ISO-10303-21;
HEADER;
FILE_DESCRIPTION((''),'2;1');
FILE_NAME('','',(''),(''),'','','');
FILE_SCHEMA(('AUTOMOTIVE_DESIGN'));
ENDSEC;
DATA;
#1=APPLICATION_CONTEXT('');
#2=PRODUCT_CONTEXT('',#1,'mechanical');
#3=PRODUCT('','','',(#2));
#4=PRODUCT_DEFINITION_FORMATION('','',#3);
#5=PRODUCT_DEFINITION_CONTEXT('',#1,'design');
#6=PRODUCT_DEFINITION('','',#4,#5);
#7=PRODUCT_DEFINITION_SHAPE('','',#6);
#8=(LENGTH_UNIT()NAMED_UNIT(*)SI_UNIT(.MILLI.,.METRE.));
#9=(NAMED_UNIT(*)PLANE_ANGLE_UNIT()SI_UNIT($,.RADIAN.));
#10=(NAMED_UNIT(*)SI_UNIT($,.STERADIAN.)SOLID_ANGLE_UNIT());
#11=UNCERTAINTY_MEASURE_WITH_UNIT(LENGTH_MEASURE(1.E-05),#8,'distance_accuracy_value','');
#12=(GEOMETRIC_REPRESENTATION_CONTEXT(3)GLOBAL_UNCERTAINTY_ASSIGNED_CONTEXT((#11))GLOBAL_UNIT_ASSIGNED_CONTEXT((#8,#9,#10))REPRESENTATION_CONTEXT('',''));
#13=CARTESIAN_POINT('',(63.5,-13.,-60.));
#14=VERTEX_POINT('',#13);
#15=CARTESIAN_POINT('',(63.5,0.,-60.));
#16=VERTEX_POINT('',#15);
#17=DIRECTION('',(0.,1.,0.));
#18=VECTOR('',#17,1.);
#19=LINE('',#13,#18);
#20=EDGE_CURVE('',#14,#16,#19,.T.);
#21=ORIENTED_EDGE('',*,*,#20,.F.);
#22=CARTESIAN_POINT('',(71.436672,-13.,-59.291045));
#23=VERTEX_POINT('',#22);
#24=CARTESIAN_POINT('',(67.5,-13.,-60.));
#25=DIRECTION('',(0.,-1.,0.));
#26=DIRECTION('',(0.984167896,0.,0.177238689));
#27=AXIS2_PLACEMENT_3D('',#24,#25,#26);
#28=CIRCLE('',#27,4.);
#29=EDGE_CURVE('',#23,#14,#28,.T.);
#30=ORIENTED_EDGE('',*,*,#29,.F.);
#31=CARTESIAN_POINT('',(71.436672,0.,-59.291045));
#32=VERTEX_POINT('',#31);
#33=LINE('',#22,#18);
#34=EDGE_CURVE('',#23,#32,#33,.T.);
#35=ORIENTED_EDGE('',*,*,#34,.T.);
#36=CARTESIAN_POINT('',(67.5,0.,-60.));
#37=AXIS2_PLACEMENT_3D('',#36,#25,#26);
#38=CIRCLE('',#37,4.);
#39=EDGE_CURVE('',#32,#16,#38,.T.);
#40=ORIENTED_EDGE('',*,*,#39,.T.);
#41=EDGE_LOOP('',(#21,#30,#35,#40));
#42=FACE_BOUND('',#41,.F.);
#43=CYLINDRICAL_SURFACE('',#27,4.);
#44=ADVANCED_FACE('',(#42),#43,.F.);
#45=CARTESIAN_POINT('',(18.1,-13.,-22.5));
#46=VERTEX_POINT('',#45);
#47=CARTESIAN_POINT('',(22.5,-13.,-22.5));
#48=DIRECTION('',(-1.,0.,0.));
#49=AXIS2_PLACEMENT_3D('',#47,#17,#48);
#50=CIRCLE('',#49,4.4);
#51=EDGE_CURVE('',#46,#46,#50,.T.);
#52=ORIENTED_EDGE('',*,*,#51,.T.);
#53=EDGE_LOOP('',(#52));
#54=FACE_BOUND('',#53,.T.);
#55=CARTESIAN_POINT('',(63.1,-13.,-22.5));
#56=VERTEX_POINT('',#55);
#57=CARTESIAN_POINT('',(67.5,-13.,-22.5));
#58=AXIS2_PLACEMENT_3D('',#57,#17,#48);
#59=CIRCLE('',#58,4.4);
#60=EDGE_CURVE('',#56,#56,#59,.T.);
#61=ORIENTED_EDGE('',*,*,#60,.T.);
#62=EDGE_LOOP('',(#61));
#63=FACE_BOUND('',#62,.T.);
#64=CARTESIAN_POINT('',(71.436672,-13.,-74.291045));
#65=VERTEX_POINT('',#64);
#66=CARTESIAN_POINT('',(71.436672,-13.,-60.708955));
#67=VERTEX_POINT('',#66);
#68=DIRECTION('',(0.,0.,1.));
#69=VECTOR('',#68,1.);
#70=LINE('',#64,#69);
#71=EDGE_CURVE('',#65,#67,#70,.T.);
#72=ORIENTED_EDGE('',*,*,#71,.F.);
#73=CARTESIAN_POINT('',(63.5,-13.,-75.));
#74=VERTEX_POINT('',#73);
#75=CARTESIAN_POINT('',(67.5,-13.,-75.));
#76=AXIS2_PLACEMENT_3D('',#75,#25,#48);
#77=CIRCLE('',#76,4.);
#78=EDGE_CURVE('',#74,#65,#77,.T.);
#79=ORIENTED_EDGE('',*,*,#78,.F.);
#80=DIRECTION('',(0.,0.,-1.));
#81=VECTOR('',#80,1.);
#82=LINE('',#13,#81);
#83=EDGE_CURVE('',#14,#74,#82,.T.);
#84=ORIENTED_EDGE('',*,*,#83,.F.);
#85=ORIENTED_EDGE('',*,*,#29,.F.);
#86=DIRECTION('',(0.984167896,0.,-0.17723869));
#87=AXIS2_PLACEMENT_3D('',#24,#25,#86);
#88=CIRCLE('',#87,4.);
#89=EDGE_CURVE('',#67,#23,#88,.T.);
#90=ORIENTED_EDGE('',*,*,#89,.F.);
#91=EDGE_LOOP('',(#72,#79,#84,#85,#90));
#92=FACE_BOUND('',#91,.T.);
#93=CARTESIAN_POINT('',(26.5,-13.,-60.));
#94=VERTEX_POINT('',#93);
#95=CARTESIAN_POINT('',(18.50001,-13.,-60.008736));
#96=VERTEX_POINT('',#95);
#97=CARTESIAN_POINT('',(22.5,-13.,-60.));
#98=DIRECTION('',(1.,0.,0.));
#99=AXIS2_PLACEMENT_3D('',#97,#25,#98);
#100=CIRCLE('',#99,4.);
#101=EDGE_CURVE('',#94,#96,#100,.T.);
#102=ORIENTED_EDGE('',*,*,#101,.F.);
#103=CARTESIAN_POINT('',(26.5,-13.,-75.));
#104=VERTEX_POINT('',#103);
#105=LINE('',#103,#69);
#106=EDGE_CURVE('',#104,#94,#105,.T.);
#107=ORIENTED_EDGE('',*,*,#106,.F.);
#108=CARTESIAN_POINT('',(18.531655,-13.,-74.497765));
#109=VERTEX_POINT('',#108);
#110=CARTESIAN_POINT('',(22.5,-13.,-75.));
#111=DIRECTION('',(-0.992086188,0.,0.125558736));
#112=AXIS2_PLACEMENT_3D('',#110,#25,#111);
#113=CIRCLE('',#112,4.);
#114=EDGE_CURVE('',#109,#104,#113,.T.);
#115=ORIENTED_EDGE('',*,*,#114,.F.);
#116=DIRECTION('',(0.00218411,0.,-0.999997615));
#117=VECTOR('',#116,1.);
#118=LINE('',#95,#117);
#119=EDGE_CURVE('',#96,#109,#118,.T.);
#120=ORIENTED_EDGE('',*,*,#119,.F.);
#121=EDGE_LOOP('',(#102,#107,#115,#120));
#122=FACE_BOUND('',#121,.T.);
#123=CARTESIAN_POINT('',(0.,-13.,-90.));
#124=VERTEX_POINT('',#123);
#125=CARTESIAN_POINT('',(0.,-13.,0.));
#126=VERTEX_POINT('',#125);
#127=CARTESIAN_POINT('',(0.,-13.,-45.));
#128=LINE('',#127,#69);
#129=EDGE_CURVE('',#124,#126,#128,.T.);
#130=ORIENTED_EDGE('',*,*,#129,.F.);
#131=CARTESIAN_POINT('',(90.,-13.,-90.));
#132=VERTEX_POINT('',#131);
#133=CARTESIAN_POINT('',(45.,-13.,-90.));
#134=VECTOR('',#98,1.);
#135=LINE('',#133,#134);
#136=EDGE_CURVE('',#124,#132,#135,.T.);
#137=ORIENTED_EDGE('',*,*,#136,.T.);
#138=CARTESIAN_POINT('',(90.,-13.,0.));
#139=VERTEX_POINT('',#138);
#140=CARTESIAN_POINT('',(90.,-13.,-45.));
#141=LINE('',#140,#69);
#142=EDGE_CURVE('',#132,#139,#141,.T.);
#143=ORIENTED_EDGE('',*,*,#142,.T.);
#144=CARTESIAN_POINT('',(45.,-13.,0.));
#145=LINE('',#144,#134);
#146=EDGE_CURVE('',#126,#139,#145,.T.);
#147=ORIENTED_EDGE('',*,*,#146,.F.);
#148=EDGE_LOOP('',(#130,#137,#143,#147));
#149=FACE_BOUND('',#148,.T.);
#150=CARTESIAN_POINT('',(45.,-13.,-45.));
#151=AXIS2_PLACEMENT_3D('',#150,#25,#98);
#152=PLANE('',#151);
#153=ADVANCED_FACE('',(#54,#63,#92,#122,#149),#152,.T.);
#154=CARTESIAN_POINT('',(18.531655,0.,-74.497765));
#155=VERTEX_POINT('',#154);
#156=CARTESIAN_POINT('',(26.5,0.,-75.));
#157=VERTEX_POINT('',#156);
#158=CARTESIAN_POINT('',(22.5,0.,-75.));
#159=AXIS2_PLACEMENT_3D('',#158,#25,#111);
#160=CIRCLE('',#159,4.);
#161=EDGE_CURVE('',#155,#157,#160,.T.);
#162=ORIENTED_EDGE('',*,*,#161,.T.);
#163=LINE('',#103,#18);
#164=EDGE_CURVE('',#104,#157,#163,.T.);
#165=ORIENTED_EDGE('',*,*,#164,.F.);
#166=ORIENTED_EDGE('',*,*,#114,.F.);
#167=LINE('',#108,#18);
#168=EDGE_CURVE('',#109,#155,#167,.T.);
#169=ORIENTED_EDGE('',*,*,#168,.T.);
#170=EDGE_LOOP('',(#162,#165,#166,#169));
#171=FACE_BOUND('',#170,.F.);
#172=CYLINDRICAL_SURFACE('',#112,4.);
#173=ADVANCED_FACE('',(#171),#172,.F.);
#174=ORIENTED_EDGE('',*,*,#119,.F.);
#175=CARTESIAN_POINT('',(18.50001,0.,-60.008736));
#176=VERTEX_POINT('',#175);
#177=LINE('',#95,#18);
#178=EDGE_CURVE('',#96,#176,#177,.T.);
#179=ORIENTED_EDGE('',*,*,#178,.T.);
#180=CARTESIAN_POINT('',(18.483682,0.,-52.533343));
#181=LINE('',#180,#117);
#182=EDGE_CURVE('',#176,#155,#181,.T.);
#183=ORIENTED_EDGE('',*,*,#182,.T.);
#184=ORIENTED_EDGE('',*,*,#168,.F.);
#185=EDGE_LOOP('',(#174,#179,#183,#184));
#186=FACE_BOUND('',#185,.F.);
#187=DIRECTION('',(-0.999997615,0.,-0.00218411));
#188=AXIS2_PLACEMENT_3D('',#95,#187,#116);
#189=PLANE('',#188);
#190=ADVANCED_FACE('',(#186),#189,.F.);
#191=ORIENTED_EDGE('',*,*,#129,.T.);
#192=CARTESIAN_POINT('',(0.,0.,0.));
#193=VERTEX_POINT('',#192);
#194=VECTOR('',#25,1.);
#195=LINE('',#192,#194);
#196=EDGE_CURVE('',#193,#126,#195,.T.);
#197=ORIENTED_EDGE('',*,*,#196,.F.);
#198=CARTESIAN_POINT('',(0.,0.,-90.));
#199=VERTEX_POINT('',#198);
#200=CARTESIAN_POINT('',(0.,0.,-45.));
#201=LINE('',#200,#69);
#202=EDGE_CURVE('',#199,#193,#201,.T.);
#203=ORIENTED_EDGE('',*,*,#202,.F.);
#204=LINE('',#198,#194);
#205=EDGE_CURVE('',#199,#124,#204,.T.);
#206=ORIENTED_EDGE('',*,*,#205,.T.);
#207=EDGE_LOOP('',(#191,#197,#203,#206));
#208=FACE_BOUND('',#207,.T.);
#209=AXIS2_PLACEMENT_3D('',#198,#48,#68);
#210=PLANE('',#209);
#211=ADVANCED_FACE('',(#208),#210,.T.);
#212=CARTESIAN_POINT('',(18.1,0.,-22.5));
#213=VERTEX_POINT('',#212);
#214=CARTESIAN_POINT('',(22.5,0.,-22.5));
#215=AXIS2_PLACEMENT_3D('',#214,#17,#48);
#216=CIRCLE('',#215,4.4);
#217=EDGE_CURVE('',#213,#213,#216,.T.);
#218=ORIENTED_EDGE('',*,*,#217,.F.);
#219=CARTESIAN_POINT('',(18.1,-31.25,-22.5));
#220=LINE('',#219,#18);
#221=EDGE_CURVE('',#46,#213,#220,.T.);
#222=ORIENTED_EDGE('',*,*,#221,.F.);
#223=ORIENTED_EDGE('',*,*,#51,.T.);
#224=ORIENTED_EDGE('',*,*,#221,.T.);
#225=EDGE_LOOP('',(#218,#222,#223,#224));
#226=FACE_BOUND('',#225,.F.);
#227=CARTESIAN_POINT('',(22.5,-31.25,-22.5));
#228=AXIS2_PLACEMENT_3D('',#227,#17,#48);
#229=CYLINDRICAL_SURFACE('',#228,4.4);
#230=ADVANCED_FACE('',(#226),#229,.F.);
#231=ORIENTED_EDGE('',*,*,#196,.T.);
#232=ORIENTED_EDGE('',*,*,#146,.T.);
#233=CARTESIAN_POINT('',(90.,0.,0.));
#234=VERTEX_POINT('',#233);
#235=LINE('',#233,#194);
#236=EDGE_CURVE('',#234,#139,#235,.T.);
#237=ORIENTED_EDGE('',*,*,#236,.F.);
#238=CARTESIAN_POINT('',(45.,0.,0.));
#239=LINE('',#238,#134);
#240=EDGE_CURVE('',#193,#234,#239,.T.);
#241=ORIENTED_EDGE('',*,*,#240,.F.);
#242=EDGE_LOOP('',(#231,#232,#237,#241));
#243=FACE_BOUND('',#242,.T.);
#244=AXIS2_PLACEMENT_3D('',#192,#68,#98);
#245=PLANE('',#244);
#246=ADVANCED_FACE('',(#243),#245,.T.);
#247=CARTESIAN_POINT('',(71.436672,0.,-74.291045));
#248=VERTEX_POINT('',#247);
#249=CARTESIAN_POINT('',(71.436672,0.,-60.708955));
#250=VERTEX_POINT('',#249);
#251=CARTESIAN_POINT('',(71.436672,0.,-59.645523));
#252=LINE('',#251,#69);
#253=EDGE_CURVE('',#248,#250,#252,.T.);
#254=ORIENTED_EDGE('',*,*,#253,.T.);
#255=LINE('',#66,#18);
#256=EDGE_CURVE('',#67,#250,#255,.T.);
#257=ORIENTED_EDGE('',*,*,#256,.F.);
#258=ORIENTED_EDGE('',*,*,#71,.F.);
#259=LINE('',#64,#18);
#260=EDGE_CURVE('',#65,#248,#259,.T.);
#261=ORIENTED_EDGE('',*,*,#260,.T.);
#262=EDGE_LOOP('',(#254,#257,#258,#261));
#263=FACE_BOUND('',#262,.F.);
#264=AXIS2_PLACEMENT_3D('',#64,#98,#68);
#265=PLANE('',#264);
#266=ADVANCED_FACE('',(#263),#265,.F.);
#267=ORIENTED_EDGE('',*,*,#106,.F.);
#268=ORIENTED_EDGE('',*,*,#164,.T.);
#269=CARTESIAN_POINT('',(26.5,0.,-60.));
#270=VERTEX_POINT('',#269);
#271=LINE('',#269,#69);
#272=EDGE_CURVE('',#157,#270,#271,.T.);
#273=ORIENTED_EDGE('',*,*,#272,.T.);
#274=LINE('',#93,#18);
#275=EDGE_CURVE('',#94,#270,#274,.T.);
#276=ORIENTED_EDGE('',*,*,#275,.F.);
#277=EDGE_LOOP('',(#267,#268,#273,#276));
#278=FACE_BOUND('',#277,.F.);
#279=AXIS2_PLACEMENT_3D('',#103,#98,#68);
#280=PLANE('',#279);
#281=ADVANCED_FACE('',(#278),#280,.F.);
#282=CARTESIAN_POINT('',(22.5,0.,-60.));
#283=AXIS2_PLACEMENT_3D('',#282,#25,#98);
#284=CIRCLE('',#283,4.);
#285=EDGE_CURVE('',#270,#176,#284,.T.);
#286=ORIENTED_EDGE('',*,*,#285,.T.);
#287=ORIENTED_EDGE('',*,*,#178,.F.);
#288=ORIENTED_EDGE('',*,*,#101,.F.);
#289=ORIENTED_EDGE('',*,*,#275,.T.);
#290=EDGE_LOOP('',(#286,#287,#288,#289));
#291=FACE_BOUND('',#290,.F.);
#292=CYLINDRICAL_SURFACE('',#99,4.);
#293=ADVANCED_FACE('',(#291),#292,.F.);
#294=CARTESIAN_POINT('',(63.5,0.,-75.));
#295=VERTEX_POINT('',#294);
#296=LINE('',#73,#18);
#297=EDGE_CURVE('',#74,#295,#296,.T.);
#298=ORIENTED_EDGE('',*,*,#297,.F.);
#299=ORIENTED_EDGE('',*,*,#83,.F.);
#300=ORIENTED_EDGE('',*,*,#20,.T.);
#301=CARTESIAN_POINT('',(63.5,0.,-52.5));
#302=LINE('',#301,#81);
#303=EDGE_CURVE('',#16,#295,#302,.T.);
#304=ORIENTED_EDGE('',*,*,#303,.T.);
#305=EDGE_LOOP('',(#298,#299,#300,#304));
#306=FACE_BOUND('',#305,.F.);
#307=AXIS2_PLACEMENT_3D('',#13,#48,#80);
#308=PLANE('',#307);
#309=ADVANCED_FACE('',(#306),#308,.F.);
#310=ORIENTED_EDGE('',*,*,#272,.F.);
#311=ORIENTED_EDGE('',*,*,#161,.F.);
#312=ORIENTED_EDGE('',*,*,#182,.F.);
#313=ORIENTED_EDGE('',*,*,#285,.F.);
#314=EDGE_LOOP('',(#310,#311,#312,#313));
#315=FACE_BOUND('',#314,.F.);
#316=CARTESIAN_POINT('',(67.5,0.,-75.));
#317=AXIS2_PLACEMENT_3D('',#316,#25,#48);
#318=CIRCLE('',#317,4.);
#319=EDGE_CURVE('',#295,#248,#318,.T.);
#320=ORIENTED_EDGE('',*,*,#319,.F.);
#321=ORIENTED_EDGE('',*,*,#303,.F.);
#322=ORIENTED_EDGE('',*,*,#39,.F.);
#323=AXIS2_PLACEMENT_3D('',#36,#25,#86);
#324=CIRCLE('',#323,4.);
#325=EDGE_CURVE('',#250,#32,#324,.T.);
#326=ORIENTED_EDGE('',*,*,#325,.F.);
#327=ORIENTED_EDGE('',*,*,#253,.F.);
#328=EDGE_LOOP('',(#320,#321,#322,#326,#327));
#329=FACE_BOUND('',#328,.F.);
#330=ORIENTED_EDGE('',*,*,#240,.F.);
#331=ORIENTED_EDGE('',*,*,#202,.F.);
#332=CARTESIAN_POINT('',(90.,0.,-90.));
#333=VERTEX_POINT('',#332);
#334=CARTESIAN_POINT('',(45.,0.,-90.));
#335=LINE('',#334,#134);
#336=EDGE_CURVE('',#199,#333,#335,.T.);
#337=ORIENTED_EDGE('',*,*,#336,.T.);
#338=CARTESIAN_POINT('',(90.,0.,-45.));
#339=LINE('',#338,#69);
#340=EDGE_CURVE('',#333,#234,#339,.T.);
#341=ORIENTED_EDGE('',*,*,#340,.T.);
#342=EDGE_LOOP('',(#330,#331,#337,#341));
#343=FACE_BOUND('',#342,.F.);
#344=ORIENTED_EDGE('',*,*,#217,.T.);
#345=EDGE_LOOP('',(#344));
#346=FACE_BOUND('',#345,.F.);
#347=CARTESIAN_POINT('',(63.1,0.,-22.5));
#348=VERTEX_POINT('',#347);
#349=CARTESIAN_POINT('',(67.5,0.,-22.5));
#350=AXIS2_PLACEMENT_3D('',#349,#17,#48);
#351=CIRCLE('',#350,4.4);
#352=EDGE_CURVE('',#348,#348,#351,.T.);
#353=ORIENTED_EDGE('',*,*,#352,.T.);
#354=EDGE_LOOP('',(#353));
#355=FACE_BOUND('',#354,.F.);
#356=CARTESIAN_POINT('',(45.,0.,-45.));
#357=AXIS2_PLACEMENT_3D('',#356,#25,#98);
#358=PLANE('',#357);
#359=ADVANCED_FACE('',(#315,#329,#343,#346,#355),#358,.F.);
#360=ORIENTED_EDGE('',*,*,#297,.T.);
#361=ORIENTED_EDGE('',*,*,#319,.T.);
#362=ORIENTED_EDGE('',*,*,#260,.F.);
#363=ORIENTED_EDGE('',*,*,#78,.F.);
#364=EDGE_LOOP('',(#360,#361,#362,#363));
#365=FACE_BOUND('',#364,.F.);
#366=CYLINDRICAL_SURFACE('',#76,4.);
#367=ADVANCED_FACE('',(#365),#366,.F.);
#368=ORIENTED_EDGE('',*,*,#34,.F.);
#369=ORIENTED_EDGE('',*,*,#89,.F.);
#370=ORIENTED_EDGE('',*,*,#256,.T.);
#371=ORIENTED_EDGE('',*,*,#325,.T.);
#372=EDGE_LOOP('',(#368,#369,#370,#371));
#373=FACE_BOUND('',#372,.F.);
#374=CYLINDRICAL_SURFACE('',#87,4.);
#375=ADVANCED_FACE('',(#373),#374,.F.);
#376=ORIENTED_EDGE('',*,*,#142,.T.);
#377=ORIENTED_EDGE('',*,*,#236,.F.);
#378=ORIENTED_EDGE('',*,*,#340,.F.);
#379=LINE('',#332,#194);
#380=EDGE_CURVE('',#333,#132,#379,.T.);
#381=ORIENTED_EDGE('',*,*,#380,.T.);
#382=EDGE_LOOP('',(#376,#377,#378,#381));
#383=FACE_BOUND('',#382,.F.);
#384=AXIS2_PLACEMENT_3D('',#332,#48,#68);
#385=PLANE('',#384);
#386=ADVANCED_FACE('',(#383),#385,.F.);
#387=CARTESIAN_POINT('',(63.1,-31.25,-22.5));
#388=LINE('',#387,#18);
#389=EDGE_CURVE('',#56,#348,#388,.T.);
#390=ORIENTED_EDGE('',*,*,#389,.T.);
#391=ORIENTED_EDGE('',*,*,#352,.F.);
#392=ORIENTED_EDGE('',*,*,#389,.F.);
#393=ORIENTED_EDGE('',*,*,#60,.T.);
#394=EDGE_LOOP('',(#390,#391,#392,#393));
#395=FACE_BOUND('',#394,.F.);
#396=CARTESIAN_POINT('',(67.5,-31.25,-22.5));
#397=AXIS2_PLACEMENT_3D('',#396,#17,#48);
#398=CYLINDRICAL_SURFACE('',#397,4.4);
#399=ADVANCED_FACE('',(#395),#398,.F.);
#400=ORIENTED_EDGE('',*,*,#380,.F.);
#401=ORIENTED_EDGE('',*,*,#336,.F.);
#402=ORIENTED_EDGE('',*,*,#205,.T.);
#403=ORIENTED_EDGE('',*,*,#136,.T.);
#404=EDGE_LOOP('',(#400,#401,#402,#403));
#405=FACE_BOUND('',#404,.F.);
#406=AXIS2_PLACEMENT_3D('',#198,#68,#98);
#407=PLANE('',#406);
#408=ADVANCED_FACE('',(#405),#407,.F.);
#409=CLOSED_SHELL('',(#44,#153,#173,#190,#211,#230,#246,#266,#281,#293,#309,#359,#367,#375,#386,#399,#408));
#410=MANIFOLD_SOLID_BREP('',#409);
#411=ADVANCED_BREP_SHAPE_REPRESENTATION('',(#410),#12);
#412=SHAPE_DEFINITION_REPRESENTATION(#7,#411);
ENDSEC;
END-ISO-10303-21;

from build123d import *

# Parameters (mm, degrees)
F0_W     = 90
F0_H     = 90
F1_DEPTH = 13
F3_DEPTH = 25
F4_D     = 8.8
F4_DEPTH = 18.25
F4_TIP   = 2.6437867237


with BuildPart() as f1:
    # F0 (on Front) → F1 (new body)
    with BuildSketch(Plane.XZ):
        with Locations((45, -45)):
            Rectangle(F0_W, F0_H)
    extrude(amount=F1_DEPTH)

    # F2 (on face) → F3 (cut)
    with BuildSketch(Plane.XZ.offset(13)):
        with BuildLine():
            Line((71.4366715828, -59.2910452421), (71.4366715828, -60.7089547579))
            ThreePointArc((71.4366715828, -60.7089547579), (71.5, -60), (71.4366715828, -59.2910452421))
        make_face()
        with BuildLine():
            Line((71.4366715828, -74.2910452421), (71.4366715828, -60.7089547579))
            Line((71.4366715828, -60.7089547579), (71.4366715828, -59.2910452421))
            ThreePointArc((71.4366715828, -59.2910452421), (67.1441112051, -56.0158635609), (63.5, -60))
            Line((63.5, -60), (63.5, -75))
            ThreePointArc((63.5, -75), (67.8558887949, -78.9841364391), (71.4366715828, -74.2910452421))
        make_face()
        with BuildLine():
            Line((26.5, -75), (26.5, -60))
            ThreePointArc((26.5, -60), (22.4956317773, -56.0000023852), (18.5000095407, -60.0087364402))
            Line((18.5000095407, -60.0087364402), (18.5316552492, -74.4977650565))
            ThreePointArc((18.5316552492, -74.4977650565), (22.2483842248, -78.9920783436), (26.5, -75))
        make_face()
    extrude(amount=-F3_DEPTH, mode=Mode.SUBTRACT)

    # F4
    with Locations(Plane.XZ.offset(13)):
        with Locations((22.5, -22.5), (67.5, -22.5)):
            Hole(F4_D / 2, depth=F4_DEPTH)
            with Locations((0, 0, -(F4_DEPTH + F4_TIP / 2))):  # 118° drill point
                Cone(0, F4_D / 2, F4_TIP, mode=Mode.SUBTRACT)


solid = f1.part
